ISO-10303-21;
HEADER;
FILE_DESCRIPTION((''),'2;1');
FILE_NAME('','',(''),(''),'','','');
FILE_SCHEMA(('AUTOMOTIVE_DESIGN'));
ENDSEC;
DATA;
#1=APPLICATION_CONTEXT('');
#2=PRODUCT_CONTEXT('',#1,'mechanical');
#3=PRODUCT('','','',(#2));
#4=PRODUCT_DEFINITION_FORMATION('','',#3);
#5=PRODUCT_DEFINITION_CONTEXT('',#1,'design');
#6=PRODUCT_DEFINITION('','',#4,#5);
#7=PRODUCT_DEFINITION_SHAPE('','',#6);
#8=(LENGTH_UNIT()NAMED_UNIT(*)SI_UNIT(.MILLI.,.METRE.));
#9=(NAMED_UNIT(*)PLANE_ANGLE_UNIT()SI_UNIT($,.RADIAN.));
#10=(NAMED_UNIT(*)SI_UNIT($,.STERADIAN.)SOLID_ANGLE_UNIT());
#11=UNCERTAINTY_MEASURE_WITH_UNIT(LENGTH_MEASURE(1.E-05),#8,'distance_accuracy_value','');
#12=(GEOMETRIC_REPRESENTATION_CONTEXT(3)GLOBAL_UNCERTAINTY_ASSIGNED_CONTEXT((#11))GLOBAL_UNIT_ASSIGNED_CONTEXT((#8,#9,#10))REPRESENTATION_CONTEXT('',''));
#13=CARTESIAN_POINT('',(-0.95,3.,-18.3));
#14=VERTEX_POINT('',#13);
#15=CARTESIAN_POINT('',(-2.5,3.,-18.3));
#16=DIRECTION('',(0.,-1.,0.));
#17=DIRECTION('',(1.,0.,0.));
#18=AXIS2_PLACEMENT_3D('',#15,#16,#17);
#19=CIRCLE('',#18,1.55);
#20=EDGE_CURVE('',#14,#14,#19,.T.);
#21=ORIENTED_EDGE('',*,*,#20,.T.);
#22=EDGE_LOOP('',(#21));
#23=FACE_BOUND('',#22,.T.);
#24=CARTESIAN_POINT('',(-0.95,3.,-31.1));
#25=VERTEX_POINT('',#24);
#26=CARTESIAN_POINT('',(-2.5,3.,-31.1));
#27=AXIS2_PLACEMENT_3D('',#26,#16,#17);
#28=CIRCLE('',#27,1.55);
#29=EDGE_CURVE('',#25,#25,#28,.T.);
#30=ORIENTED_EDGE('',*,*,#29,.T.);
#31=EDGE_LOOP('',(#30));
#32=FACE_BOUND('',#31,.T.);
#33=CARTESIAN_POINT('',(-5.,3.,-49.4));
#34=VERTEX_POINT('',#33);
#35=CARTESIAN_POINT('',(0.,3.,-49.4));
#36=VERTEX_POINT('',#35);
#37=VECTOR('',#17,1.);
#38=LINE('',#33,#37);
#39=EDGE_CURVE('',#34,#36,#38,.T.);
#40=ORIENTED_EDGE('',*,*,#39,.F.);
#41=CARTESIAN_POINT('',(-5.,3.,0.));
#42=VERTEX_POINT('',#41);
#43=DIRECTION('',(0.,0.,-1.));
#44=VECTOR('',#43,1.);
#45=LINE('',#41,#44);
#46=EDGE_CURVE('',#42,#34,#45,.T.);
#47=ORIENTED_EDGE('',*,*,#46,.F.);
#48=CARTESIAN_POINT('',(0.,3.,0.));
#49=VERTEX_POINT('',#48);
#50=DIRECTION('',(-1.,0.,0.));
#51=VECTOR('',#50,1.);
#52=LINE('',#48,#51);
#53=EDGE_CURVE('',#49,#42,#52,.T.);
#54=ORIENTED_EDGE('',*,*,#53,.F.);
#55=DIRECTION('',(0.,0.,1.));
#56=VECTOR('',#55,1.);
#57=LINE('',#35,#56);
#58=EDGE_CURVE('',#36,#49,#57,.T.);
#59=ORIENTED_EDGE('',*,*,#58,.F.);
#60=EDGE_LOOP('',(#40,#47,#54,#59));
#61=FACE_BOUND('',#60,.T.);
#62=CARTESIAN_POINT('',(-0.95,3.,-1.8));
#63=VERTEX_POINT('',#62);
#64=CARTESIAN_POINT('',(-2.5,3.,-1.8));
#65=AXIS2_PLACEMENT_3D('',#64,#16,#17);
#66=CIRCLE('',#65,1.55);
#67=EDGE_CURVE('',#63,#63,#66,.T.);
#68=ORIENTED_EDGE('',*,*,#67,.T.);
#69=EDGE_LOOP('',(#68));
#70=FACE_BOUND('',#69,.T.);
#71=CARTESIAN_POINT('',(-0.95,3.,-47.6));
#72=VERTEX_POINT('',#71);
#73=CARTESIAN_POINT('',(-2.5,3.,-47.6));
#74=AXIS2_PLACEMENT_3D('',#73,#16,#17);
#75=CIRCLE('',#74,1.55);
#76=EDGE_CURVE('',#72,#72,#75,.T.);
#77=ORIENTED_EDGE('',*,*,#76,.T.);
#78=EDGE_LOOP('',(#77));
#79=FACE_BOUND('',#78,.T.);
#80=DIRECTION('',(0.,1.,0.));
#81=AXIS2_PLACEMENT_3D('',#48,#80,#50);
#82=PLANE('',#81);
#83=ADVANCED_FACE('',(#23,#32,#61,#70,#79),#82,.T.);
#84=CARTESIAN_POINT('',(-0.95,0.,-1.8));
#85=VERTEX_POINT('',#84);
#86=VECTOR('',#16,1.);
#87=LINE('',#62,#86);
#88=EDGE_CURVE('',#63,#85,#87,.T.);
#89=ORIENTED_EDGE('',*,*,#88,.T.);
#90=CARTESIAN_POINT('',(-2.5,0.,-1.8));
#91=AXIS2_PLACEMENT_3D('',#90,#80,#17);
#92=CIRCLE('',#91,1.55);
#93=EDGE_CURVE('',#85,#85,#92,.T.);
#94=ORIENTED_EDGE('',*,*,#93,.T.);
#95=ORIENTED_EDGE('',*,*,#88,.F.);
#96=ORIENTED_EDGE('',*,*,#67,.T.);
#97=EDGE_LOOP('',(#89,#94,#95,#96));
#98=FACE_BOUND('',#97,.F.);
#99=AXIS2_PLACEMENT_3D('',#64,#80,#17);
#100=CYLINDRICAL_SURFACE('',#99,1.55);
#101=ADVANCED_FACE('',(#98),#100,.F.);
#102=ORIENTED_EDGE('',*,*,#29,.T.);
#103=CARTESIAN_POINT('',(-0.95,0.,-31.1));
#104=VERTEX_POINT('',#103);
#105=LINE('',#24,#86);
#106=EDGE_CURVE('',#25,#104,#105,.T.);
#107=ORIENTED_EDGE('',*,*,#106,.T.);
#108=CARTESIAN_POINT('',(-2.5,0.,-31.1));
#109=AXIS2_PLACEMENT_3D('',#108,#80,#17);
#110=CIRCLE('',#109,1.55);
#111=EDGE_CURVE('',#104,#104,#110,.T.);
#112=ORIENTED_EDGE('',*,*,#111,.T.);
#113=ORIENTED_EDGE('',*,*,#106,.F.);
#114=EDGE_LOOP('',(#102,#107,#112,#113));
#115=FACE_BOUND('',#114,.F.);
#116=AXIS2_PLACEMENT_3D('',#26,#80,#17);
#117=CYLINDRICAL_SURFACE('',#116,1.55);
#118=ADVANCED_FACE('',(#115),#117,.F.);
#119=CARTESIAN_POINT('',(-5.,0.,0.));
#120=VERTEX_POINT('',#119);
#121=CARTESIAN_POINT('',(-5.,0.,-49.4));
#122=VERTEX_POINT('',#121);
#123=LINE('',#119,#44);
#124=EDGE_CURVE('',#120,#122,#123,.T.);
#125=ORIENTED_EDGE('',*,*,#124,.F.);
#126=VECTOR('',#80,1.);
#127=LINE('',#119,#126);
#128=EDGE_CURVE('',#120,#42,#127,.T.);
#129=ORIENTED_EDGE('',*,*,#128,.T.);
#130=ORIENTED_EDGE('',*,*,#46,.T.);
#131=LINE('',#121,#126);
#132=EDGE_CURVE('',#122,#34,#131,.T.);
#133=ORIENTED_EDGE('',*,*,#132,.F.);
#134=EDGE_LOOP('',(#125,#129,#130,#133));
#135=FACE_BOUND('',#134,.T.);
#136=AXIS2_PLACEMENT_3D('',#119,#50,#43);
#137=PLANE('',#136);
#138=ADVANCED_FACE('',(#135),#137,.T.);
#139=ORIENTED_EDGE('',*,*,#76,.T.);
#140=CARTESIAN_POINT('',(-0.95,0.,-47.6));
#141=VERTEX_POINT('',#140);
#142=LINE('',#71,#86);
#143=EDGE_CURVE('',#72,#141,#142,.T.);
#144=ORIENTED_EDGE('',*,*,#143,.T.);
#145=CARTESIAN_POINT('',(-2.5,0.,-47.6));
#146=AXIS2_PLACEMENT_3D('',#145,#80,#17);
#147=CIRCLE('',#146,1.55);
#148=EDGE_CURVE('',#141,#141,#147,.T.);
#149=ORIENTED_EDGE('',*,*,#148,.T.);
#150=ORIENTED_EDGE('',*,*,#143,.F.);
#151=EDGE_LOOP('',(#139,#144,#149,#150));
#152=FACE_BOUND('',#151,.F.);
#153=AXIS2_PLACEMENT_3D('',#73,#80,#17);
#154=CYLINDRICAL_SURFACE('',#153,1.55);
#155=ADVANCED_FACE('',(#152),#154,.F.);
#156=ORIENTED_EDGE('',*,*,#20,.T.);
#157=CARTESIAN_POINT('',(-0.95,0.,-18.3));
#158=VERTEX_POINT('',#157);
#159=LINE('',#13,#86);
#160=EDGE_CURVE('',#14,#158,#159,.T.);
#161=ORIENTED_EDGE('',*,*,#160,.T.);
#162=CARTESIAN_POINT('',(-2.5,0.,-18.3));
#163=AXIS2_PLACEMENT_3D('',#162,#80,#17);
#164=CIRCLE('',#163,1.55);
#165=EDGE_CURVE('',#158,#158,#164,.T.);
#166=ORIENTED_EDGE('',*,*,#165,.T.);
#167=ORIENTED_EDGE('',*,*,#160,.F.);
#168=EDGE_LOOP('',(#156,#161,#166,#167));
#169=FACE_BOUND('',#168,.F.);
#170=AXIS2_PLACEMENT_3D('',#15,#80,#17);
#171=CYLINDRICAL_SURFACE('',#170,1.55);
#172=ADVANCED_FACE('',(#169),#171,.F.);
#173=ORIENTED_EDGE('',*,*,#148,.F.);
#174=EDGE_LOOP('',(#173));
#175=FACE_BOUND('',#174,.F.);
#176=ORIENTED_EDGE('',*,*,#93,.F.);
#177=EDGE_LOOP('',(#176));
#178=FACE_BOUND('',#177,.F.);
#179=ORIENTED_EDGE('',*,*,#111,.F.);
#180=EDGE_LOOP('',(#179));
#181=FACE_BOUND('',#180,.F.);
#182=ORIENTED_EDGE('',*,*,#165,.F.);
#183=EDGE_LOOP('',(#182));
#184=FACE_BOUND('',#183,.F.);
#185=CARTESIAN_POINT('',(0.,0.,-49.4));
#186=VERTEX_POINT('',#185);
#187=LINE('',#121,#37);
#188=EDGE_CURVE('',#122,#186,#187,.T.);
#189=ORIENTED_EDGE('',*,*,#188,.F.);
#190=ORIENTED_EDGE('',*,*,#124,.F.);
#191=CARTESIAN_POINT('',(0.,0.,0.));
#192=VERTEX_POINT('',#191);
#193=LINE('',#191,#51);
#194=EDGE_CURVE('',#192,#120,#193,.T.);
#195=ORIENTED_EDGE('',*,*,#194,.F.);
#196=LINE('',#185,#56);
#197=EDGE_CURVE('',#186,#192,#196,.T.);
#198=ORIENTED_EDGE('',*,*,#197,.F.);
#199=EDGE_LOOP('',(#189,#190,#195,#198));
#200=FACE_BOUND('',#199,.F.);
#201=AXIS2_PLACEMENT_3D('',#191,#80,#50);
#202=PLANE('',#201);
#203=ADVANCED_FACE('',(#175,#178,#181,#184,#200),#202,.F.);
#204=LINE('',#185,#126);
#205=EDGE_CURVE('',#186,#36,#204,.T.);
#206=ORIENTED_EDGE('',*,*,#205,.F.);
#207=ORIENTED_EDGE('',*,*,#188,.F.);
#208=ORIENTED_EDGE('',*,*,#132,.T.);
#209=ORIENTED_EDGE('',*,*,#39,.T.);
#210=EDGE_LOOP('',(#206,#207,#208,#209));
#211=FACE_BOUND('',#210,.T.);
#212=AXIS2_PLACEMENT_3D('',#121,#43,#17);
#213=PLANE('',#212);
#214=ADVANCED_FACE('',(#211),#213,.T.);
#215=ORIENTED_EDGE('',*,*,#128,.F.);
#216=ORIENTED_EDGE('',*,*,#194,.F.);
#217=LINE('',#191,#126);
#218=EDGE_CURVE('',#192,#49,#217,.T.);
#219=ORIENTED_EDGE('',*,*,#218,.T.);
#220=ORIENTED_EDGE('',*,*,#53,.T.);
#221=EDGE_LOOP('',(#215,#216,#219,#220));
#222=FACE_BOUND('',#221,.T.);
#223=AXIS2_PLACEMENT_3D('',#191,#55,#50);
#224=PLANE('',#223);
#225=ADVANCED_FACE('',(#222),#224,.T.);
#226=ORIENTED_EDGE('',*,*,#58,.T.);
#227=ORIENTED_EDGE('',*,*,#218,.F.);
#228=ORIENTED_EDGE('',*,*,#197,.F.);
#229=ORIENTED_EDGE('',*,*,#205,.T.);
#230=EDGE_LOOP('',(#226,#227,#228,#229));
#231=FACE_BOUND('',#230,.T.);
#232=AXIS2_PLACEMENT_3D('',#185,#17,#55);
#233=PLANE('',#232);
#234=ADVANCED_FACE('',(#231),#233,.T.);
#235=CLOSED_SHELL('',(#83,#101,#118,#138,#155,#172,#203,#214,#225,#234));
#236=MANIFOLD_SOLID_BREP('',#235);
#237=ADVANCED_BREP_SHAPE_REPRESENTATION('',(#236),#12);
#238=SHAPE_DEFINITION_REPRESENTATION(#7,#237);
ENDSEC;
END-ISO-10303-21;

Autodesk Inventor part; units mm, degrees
ref_plane "YZ Plane" through (0, 0, 0) normal (1, 0, 0) x (0, 1, 0)
ref_plane "XZ Plane" through (0, 0, 0) normal (0, 1, 0) x (-1, 0, 0)
ref_plane "XY Plane" through (0, 0, 0) normal (0, 0, 1) x (1, 0, 0)
sketch "Esboço1" plane through (0, 0, 0) normal (0, 1, 0) x (-1, 0, 0)
  line L0 (0, 0) -> (5, 0)
  line L1 (5, 0) -> (5, -49.4)
  line L2 (5, -49.4) -> (0, -49.4)
  line L3 (0, -49.4) -> (0, 0)
  dimension "d0" = 5
  dimension "d1" = 49.4
extrude "Extrusão1" add sketch "Esboço1" along normal blind 3
sketch "Esboço2" plane through (0, 3, 0) normal (0, 1, 0) x (1, 0, 0)
  line L0 (-5, 0) -> (0, 0) projected
  line L1 (-2.5, 0) -> (-2.5, 1.8)
  line L2 (0, 49.4) -> (-5, 49.4) projected
  line L3 (-2.5, 49.4) -> (-2.5, 47.6)
  circle A0 centre (-2.5, 1.8) radius 1.55
  circle A1 centre (-2.5, 47.6) radius 1.55
  line L4 (-5, 0) -> (-5, 18.3)
  line L5 (-5, 49.4) -> (-5, 0) projected
  line L6 (-5, 49.4) -> (-5, 31.1)
  line L7 (-5, 18.3) -> (0, 18.3)
  line L8 (-5, 31.1) -> (0, 31.1)
  line L9 (0, 0) -> (0, 49.4) projected
  circle A2 centre (-2.5, 18.3) radius 1.55
  circle A3 centre (-2.5, 31.1) radius 1.55
  dimension "d4" = 1.8
  dimension "d5" = 1.8
  dimension "d6" = 3.1
  dimension "d7" = 3.1
  dimension "d8" = 18.3
  dimension "d9" = 18.3
  dimension "d10" = 3.1
  dimension "d11" = 3.1
extrude "Extrusão2" cut sketch "Esboço2" against normal blind 3 contours A0 | A1 | A2 L7 | L7 A2 | A3 L8 | L8 A3
